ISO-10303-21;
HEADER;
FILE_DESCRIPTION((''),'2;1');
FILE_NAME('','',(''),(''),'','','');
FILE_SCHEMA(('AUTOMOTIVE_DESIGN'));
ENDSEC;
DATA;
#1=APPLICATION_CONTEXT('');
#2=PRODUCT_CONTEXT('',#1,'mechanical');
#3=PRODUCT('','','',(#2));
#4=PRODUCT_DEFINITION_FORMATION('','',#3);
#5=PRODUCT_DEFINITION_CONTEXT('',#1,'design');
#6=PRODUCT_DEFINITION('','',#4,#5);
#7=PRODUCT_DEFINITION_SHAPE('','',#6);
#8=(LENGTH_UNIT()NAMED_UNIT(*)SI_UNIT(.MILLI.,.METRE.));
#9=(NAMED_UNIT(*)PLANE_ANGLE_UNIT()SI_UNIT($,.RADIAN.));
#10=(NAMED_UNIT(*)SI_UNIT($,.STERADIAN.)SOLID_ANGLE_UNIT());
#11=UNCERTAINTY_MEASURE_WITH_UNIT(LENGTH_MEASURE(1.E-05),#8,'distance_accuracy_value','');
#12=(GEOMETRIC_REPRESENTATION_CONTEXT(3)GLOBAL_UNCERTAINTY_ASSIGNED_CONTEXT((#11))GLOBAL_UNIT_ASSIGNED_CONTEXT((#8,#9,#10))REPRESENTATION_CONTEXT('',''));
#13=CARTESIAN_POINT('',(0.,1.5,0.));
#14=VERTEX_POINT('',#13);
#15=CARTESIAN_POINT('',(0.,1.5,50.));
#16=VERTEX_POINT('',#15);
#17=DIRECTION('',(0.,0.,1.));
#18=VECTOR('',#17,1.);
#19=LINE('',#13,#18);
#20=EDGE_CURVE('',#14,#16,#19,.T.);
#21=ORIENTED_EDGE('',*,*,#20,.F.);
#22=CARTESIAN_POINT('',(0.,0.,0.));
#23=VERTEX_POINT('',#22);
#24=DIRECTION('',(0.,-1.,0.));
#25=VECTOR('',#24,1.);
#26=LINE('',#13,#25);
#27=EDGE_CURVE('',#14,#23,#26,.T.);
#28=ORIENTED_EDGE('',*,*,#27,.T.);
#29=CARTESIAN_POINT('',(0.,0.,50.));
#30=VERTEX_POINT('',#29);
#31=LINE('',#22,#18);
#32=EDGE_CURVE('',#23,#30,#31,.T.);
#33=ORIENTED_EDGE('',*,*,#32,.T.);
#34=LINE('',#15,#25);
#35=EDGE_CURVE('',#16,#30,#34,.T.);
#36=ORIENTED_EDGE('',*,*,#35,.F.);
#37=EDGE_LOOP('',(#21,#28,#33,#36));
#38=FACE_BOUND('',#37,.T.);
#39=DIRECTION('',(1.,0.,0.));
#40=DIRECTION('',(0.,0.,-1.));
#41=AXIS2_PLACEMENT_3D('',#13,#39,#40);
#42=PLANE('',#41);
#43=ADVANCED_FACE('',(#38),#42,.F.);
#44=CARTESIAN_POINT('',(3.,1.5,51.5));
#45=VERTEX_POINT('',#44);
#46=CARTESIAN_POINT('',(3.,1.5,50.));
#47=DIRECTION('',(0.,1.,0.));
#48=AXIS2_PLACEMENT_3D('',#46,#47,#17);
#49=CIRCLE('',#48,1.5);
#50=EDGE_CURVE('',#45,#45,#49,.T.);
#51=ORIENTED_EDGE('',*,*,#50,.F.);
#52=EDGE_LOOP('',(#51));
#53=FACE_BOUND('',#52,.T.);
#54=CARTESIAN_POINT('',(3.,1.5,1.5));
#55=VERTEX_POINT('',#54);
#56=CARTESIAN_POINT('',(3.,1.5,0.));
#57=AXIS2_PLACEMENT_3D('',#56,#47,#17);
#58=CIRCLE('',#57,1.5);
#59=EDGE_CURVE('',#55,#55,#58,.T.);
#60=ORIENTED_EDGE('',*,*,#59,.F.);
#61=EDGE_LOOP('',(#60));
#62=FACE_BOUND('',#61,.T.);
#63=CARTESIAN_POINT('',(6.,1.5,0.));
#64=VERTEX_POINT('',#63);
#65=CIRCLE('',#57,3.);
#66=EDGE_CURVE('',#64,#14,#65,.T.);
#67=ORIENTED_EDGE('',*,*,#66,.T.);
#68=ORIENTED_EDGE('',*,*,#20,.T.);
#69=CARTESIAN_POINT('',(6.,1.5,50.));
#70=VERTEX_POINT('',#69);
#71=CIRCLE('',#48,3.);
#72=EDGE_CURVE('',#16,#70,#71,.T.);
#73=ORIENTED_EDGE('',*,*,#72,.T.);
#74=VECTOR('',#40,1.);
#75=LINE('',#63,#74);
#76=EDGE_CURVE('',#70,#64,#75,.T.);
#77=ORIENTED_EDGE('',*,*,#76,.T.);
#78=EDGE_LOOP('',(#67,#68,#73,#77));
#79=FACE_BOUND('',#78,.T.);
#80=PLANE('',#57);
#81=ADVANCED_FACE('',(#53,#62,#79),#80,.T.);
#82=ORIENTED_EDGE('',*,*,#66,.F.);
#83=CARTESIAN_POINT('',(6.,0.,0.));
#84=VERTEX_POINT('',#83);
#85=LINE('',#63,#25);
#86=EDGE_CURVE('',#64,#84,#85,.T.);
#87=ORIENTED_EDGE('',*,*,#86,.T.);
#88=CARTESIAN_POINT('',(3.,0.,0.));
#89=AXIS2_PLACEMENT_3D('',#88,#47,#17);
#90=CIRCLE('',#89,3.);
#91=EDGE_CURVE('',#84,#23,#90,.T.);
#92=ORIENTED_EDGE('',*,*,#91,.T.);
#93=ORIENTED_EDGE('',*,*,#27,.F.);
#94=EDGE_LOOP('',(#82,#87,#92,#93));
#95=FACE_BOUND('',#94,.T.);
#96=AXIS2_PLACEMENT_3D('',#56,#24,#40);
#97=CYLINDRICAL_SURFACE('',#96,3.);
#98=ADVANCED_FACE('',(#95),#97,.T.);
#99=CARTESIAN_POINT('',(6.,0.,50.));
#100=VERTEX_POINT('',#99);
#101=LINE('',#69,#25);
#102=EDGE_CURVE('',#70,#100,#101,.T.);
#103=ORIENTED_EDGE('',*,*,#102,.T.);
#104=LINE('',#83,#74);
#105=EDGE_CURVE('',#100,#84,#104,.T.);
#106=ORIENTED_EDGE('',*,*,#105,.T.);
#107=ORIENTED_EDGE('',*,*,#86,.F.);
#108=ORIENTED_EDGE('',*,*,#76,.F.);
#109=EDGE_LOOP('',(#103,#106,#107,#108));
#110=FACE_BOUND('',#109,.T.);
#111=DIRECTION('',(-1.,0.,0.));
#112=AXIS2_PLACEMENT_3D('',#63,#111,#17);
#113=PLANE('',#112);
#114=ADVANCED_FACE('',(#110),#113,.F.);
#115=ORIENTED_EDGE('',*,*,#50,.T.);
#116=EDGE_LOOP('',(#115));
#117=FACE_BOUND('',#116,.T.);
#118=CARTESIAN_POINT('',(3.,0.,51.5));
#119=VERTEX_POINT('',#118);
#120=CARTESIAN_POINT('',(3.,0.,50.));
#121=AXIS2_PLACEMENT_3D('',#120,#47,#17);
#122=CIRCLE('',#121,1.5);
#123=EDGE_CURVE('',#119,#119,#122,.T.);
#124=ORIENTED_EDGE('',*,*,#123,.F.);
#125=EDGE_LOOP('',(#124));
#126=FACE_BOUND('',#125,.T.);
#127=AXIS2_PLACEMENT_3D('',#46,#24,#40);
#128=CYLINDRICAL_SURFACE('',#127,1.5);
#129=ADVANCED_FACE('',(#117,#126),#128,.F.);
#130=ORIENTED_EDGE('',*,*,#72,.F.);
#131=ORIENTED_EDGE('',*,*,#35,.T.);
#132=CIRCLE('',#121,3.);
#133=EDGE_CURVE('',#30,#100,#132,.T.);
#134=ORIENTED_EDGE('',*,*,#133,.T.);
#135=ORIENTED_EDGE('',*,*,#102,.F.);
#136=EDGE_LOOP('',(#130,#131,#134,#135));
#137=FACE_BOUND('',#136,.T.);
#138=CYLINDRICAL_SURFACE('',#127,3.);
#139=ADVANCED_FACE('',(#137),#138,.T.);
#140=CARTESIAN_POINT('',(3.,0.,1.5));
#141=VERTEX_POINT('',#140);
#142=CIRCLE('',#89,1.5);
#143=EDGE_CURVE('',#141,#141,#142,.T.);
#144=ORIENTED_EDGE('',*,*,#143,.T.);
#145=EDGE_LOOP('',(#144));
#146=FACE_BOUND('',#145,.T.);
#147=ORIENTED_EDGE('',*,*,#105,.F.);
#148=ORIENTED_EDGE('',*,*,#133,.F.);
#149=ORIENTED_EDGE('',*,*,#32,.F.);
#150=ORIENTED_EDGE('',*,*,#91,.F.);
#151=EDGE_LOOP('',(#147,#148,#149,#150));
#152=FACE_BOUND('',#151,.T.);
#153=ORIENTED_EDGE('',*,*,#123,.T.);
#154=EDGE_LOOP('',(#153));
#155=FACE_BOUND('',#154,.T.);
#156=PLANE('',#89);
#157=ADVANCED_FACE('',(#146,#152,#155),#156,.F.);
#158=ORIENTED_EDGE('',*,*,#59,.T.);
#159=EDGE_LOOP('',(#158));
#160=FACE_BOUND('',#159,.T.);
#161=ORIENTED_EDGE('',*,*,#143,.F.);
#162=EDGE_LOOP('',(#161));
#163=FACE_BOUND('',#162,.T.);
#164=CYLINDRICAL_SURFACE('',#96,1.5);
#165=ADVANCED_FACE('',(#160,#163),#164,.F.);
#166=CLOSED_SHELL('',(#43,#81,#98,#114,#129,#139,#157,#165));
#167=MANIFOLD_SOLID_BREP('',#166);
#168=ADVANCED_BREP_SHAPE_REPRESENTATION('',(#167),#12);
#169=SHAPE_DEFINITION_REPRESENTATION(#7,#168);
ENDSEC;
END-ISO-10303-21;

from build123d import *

# Parameters (mm, degrees)
SKETCH1_R           = 1.5
BOSS_EXTRUDE1_DEPTH = 1.5


with BuildPart() as part:
    # Sketch1 → Boss-Extrude1 (new body)
    with BuildSketch(Plane(origin=(0, 0, 0), x_dir=(1, 0, 0), z_dir=(0, 1, 0))):
        with BuildLine():
            Line((0, 0), (0, -50))
            ThreePointArc((0, -50), (3, -53), (6, -50))
            Line((6, -50), (6, 0))
            ThreePointArc((6, 0), (3, 3), (0, 0))
        make_face()
        with Locations(Location((3, 0, 0), (0, 0, 270))):
            Circle(SKETCH1_R, mode=Mode.SUBTRACT)
        with Locations(Location((3, -50, 0), (0, 0, 270))):
            Circle(SKETCH1_R, mode=Mode.SUBTRACT)
    extrude(amount=BOSS_EXTRUDE1_DEPTH)


solid = part.part
